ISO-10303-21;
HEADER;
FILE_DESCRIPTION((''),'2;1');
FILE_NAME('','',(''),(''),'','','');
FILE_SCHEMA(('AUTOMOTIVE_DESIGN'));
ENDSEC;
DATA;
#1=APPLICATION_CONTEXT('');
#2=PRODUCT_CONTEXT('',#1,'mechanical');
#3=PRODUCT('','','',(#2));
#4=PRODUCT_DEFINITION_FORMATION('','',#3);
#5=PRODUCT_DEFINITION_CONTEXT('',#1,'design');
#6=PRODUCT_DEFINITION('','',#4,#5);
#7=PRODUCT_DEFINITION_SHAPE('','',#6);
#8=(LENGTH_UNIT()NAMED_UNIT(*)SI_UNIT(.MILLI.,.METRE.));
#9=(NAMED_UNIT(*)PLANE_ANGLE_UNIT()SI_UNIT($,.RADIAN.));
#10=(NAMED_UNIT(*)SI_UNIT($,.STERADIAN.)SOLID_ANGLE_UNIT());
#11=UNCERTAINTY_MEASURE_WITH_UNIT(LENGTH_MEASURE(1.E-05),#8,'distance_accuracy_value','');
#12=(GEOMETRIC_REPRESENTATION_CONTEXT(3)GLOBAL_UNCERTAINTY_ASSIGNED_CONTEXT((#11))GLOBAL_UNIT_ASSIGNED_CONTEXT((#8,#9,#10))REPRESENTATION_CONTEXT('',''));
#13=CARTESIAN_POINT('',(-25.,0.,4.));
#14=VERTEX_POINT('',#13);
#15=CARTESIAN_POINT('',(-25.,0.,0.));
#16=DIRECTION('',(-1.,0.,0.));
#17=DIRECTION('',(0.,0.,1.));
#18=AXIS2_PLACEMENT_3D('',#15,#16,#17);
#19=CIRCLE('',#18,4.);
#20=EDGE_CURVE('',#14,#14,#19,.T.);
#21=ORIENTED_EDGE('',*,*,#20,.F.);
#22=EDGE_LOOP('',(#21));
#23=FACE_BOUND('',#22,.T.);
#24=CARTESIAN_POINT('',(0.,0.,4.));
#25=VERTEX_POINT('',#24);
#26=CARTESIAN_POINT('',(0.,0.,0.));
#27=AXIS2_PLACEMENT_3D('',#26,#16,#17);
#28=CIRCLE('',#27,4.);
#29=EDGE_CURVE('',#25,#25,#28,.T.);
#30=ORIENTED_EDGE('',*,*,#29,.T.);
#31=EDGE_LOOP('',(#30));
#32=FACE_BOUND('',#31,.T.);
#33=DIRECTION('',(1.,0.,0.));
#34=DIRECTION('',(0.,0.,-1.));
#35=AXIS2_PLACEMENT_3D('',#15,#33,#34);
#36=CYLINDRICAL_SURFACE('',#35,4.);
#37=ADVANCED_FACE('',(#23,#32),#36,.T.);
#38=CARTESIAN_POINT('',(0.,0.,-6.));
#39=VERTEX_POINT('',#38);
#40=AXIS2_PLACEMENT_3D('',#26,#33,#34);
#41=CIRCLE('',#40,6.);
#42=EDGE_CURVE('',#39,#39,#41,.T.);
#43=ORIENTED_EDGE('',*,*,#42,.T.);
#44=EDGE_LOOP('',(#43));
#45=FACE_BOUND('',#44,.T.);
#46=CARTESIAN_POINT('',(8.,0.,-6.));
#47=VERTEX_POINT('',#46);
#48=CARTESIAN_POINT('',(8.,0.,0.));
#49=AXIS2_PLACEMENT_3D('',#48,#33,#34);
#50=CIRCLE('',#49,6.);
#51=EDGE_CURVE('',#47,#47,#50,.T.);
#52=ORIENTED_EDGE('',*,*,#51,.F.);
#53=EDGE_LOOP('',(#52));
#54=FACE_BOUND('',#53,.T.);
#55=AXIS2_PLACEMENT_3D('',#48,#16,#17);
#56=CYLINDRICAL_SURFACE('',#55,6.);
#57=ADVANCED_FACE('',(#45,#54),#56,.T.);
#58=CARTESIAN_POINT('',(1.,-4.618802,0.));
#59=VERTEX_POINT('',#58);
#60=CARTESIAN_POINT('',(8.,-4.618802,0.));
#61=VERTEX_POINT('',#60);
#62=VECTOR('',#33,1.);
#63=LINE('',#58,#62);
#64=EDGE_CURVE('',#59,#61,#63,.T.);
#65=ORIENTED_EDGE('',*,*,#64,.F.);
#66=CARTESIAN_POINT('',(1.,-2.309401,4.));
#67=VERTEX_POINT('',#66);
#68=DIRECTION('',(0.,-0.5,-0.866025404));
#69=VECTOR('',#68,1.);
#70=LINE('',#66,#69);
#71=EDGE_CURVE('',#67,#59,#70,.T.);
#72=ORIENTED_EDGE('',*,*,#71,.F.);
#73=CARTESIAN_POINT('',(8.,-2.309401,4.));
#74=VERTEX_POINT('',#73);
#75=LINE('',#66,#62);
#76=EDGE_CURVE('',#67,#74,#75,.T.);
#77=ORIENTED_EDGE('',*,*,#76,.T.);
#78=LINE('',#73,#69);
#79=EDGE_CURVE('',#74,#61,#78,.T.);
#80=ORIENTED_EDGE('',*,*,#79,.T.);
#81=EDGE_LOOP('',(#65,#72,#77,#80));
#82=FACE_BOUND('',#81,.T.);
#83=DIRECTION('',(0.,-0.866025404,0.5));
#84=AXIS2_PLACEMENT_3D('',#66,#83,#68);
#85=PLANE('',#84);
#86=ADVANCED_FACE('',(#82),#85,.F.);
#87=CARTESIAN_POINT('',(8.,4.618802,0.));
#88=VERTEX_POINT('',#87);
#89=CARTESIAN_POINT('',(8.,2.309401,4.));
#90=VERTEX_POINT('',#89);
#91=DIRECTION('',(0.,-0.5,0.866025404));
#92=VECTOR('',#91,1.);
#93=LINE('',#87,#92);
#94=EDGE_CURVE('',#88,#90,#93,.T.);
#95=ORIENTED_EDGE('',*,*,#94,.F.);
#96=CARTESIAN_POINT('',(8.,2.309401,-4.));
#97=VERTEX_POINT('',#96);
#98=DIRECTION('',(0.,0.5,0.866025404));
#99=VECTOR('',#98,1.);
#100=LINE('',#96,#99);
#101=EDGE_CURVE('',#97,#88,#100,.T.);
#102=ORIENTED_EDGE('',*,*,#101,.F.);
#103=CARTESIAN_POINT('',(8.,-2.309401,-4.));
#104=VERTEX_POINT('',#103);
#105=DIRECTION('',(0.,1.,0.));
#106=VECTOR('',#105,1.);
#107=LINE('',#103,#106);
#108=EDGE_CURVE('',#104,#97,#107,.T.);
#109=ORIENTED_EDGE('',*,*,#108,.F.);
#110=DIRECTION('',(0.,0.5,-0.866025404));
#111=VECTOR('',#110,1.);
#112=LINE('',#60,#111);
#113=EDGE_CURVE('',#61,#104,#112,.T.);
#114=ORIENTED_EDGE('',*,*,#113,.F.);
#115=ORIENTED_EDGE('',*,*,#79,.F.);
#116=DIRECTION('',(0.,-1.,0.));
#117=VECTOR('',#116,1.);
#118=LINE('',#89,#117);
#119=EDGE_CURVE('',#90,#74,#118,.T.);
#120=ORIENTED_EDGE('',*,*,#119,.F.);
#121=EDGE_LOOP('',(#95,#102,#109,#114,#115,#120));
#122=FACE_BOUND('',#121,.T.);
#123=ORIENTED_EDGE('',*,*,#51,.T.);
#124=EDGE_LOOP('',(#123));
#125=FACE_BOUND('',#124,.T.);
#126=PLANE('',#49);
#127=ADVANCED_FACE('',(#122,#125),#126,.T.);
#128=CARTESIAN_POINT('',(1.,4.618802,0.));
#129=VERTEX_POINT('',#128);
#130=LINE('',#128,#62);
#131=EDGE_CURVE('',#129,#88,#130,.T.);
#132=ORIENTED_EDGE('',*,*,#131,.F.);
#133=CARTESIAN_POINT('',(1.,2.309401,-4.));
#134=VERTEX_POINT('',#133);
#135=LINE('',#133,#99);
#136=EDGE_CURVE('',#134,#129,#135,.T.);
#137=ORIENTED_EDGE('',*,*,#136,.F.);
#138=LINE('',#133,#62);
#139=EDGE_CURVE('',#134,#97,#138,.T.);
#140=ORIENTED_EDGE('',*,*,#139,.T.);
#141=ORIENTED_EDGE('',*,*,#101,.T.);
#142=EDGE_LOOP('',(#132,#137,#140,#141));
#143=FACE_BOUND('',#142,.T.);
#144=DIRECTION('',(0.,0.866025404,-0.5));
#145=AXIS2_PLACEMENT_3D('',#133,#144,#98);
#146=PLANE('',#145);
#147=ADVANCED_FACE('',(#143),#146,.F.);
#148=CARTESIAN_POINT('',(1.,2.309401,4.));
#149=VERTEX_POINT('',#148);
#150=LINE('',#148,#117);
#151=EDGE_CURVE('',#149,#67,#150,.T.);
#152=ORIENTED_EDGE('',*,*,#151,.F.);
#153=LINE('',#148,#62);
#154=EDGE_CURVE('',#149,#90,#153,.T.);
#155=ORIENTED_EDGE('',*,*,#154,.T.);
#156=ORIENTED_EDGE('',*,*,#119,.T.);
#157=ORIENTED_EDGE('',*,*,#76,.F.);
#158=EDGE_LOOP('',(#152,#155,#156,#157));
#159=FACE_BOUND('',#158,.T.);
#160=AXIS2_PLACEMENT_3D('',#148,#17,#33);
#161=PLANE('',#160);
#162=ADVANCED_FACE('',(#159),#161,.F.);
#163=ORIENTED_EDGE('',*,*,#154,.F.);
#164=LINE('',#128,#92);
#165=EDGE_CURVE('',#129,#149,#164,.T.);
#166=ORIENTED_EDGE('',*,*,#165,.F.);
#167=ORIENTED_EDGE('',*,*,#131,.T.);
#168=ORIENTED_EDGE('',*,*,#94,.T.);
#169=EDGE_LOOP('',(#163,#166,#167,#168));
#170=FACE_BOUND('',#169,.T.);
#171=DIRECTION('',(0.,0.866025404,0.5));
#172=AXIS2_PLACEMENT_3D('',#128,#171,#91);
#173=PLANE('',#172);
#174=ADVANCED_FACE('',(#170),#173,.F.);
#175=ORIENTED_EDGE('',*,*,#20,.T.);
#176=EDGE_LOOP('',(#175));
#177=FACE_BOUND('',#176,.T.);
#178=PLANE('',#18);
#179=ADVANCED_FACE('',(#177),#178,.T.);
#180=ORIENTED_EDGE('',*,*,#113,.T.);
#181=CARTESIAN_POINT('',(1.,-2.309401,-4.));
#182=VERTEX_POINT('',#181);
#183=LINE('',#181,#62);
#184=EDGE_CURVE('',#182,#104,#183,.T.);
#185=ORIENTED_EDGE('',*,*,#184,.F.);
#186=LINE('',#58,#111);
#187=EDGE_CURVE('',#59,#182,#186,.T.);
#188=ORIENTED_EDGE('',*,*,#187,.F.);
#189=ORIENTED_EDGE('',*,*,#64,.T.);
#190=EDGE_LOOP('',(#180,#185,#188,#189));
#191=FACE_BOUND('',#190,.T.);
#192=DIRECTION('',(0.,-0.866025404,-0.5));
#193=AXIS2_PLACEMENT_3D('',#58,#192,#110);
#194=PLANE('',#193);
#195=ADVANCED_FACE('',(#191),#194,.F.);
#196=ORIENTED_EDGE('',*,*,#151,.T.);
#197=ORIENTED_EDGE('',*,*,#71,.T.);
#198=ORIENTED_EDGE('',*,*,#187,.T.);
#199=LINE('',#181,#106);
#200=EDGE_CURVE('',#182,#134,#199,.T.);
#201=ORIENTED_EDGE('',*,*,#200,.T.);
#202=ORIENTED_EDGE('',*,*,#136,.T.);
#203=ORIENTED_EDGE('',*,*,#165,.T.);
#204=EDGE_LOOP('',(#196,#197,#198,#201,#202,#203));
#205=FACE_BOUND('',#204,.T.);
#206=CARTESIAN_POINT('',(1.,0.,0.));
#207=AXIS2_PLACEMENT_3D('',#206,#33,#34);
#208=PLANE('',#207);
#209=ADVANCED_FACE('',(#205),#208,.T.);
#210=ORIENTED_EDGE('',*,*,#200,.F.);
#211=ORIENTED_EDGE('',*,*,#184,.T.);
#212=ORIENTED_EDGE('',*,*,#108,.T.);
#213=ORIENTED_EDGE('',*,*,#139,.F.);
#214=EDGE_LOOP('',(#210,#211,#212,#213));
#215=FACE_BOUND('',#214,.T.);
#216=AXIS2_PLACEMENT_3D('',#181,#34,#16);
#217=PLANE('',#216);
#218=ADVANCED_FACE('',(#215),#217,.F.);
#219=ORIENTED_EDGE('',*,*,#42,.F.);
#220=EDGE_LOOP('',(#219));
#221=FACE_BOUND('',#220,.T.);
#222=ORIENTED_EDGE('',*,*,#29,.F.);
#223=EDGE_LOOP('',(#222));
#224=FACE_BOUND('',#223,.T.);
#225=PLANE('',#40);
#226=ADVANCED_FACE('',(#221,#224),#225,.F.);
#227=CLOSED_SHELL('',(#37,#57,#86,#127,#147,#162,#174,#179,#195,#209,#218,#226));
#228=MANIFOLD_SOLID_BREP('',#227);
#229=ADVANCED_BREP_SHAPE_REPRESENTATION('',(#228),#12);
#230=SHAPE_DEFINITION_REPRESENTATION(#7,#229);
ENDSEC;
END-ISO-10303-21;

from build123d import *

# Parameters (mm, degrees)
SKETCH2_R           = 6
BOSS_EXTRUDE1_DEPTH = 8
SKETCH4_R           = 4
BOSS_EXTRUDE2_DEPTH = 25
CUT_EXTRUDE1_DEPTH  = 7


with BuildPart() as part:
    # Sketch2 → Boss-Extrude1 (new body)
    with BuildSketch(Plane(origin=(0, 0, 0), x_dir=(0, 0, -1), z_dir=(1, 0, 0))):
        Circle(SKETCH2_R)
    extrude(amount=BOSS_EXTRUDE1_DEPTH)

    # Sketch4 → Boss-Extrude2 (add)
    with BuildSketch(Plane.ZY):
        Circle(SKETCH4_R)
    extrude(amount=BOSS_EXTRUDE2_DEPTH)

    # Sketch3 → Cut-Extrude1 (cut)
    with BuildSketch(Plane(origin=(8, 0, 0), x_dir=(0, 0, -1), z_dir=(1, 0, 0))):
        Polygon((4, 2.309401077), (0, 4.618802154), (-4, 2.309401077), (-4, -2.309401077), (0, -4.618802154), (4, -2.309401077), align=None)
    extrude(amount=-CUT_EXTRUDE1_DEPTH, mode=Mode.SUBTRACT)


solid = part.part
